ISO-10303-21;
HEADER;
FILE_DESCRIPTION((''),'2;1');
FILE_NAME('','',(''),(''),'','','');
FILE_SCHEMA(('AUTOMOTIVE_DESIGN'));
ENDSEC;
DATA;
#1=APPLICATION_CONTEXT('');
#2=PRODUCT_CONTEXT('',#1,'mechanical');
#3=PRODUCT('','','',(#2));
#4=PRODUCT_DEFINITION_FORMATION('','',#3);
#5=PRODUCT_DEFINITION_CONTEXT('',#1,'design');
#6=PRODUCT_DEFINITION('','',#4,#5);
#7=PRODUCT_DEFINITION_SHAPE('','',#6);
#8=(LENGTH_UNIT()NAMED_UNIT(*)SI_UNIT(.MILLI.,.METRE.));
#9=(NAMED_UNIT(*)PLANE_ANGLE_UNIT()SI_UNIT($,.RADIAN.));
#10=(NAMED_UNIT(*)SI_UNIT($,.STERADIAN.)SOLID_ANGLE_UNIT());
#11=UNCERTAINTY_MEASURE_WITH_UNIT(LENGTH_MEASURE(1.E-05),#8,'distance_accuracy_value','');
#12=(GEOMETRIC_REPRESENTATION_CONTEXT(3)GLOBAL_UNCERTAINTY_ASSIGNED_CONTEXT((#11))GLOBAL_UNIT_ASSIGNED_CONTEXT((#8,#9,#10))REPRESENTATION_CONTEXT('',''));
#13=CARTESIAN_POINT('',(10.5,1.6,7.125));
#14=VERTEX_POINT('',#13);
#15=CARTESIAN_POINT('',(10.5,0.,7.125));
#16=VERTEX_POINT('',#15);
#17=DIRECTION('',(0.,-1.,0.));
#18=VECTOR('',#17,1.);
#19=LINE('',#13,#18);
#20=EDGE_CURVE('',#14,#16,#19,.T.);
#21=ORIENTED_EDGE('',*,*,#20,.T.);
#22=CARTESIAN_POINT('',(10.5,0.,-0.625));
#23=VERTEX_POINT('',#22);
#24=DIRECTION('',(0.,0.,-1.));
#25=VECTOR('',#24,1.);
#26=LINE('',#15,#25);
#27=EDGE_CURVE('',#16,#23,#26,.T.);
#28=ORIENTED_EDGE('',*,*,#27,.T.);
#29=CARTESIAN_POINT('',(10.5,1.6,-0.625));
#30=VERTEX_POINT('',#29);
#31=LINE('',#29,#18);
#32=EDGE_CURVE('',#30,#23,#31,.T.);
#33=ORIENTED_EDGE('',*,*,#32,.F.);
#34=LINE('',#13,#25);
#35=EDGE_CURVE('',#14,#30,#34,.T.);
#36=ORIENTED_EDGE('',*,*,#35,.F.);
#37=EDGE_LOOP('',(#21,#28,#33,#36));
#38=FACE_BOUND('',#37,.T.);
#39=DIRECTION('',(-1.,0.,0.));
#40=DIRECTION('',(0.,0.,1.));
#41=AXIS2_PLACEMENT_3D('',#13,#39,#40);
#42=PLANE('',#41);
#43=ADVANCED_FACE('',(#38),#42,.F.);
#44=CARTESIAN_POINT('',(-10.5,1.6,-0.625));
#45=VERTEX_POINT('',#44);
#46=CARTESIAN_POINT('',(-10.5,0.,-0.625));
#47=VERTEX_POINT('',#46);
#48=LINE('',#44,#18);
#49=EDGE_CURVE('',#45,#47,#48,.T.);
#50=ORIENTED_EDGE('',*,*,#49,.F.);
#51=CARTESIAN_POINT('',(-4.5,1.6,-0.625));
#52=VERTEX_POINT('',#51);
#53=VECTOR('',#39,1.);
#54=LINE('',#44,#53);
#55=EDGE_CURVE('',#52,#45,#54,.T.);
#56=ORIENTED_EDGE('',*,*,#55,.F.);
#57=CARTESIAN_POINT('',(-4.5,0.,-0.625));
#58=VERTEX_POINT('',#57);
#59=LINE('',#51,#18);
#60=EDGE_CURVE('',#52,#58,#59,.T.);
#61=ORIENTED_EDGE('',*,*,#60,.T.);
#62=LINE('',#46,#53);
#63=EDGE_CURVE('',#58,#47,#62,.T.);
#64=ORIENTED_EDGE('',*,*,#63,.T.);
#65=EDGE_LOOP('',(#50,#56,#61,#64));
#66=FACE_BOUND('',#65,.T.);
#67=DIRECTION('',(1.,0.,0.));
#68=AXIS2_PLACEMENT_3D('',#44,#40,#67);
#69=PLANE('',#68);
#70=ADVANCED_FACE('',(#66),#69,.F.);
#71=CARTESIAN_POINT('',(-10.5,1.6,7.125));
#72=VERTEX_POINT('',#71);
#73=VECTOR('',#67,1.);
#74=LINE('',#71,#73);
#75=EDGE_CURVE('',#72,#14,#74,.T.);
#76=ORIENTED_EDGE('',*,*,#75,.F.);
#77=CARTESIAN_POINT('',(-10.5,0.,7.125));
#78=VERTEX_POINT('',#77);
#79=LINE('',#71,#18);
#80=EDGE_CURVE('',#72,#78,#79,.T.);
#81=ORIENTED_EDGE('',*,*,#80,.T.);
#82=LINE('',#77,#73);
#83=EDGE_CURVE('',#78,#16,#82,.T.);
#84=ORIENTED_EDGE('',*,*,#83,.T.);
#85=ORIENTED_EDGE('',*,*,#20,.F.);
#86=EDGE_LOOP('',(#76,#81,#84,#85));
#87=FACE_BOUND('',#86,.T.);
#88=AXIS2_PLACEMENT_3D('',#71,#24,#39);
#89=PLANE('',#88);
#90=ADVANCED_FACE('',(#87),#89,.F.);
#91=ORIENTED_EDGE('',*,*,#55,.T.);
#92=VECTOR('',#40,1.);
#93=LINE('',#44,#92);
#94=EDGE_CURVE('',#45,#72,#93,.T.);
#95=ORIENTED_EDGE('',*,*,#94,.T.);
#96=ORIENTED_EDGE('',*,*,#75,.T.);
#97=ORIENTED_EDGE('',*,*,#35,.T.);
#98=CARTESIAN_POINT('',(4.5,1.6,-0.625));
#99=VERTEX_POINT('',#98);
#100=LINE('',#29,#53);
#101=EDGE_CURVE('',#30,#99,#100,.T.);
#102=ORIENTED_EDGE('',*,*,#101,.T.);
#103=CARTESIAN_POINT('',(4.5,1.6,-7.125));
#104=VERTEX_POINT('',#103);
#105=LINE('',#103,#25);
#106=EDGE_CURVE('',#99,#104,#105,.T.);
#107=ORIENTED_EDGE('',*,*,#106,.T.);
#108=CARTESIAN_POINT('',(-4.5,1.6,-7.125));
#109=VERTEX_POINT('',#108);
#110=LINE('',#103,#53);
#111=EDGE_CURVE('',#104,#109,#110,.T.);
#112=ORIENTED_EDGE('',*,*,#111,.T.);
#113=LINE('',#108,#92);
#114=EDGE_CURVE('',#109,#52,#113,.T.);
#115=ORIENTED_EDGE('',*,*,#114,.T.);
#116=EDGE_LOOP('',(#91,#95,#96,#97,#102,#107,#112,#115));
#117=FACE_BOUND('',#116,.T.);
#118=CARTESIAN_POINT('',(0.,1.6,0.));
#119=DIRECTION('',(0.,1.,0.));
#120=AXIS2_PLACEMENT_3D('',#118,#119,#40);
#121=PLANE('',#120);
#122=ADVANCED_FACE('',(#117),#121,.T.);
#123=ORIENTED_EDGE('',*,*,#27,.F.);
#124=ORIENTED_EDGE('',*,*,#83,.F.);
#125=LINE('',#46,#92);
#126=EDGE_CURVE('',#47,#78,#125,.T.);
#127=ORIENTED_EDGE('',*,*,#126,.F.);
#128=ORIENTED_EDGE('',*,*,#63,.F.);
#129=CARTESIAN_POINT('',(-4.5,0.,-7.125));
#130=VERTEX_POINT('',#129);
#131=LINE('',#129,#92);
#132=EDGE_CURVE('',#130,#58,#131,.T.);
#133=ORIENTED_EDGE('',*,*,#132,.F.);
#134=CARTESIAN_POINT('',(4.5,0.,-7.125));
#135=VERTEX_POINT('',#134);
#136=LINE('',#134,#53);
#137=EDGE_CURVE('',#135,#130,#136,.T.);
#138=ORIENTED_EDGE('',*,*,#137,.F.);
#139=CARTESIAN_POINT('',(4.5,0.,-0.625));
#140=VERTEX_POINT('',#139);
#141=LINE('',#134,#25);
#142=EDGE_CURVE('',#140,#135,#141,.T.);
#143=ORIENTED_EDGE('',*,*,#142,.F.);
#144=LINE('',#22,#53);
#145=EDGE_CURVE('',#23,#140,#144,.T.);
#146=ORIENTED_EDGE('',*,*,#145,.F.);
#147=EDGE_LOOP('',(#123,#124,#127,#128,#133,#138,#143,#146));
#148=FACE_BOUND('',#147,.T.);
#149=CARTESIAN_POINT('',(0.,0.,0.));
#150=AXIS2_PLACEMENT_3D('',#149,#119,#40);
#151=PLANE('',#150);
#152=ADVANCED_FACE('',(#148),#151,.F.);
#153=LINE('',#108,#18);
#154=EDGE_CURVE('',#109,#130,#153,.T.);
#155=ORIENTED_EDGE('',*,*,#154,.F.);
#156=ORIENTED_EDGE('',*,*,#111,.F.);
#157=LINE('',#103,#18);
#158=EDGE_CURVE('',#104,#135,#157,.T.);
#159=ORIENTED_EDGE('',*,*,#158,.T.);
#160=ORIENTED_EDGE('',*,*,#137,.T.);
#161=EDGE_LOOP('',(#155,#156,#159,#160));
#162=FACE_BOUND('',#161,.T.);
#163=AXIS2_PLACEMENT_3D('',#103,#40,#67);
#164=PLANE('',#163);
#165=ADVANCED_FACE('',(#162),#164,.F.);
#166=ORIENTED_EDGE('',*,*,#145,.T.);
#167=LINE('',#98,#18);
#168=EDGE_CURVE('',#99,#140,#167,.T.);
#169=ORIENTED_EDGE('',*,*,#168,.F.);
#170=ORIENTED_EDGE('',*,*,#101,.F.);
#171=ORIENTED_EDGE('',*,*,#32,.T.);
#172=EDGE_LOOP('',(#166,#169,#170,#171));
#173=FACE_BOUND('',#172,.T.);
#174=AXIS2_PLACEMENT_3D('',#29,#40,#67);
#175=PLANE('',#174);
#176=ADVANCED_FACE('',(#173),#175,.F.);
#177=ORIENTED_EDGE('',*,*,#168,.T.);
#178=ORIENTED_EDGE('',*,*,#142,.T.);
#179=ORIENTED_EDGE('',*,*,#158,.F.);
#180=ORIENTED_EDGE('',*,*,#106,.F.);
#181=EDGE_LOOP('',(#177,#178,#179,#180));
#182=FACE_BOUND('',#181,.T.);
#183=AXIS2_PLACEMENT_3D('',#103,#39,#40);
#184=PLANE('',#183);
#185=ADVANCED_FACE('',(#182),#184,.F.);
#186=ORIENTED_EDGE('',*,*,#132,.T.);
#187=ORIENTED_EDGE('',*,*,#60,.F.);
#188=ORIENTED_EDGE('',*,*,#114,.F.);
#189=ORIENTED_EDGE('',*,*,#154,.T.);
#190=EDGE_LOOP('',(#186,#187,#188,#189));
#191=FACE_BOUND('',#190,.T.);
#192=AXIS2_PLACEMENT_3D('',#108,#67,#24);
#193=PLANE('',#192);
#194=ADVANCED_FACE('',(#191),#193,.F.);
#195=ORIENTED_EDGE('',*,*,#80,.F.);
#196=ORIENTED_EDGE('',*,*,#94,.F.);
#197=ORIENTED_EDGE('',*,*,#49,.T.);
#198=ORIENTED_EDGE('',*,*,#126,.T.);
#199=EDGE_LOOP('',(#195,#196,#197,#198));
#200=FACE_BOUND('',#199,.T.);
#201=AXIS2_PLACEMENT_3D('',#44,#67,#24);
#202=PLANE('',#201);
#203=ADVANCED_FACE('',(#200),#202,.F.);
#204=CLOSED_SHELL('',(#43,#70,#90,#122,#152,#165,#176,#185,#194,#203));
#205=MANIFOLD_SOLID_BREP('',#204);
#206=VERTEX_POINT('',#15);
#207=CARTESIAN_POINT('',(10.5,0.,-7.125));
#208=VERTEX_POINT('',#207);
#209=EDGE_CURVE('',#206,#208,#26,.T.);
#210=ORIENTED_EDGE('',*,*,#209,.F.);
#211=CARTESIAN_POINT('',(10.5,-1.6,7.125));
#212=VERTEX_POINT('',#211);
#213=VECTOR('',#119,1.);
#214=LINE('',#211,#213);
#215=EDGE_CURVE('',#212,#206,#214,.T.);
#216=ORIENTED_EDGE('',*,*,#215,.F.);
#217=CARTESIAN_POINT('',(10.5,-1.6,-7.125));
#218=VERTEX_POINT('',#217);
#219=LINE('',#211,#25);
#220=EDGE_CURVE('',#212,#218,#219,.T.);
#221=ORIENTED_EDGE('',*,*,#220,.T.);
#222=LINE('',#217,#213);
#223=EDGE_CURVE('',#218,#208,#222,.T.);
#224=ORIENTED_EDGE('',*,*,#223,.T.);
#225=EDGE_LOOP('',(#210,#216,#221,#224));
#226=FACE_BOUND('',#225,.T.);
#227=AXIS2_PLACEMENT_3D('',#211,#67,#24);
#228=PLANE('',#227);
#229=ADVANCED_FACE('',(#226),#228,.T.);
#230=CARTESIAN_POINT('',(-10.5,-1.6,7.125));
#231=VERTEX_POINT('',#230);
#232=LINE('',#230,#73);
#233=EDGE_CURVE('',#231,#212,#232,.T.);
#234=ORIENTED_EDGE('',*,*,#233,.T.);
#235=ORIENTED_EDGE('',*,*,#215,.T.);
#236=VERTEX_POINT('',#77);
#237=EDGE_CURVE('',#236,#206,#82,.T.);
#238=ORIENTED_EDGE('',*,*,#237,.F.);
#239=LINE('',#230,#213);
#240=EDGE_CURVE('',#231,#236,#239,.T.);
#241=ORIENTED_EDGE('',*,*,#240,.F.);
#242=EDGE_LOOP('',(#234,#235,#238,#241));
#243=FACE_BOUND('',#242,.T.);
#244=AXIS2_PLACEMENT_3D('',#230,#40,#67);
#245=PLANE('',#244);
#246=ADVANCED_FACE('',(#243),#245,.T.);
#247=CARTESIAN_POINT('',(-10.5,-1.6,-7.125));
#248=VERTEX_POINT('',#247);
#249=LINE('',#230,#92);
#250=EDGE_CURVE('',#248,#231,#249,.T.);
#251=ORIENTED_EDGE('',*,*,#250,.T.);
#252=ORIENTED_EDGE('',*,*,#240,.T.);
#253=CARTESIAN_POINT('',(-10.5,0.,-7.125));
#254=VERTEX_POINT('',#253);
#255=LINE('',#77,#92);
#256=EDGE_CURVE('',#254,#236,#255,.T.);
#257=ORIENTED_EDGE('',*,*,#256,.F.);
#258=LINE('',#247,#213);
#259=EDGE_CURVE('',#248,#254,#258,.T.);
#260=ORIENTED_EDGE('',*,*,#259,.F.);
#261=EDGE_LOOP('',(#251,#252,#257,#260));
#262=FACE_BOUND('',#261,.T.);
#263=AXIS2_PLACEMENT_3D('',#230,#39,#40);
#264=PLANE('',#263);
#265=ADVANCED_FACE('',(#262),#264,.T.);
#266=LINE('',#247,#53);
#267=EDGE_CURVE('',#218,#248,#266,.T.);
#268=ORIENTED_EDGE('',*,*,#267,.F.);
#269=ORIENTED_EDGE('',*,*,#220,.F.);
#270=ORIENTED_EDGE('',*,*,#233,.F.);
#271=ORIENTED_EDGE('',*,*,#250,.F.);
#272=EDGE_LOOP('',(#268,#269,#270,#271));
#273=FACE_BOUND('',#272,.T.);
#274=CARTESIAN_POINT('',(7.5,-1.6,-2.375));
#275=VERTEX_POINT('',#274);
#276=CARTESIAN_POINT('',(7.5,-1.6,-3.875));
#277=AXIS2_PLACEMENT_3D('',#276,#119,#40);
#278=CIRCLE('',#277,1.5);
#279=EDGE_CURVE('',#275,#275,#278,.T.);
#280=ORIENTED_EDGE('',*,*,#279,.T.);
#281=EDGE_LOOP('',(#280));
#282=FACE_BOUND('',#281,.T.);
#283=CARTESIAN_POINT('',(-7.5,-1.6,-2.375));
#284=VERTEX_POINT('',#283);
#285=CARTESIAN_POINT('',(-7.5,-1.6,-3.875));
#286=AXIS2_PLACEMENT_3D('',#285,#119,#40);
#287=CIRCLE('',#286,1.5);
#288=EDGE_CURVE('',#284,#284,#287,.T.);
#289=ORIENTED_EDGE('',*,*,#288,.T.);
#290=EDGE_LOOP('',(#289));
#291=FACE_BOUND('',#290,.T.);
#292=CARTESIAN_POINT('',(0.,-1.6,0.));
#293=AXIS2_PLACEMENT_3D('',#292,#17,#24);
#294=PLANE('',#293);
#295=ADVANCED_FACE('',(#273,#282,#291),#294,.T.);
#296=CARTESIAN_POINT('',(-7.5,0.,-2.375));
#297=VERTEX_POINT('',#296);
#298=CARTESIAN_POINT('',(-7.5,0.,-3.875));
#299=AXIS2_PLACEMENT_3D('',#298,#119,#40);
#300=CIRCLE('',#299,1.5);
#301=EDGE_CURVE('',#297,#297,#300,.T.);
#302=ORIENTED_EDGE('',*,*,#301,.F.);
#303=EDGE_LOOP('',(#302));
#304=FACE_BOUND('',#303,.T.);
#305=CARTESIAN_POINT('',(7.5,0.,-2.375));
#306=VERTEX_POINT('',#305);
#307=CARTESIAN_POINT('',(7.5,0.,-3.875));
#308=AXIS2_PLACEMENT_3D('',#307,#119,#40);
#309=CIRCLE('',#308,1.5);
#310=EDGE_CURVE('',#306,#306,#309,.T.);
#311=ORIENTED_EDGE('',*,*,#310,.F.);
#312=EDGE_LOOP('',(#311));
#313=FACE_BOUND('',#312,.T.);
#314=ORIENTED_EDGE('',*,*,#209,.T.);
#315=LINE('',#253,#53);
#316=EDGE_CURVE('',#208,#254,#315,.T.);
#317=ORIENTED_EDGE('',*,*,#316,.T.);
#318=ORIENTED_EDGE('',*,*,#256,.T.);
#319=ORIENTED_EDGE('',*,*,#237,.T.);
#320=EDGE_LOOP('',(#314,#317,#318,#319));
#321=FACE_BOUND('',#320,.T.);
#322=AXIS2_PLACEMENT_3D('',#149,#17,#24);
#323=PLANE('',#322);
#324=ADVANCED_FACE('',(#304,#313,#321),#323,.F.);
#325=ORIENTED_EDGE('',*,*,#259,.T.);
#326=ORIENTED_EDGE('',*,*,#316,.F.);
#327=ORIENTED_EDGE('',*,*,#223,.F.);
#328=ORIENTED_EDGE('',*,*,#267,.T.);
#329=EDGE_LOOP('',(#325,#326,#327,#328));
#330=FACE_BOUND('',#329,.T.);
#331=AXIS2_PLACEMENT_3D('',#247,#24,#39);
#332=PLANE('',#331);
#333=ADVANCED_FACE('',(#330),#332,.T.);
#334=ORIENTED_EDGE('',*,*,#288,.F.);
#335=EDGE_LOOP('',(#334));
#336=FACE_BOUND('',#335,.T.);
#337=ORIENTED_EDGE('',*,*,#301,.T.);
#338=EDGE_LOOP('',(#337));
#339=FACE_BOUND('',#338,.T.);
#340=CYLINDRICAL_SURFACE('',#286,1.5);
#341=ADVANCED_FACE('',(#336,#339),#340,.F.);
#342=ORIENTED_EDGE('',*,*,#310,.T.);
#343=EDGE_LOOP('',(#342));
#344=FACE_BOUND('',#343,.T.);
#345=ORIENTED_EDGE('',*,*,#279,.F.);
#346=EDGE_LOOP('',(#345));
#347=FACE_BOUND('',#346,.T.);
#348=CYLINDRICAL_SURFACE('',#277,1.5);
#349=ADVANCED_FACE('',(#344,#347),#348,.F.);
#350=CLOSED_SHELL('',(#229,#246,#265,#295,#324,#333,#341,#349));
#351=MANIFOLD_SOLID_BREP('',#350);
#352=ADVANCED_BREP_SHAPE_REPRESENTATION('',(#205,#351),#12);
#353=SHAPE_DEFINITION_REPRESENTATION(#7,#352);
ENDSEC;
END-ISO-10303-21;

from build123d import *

# Parameters (mm, degrees)
SKETCH1_W           = 21
SKETCH1_H           = 14.25
SKETCH1_R           = 1.5
BOSS_EXTRUDE1_DEPTH = 1.6
BOSS_EXTRUDE2_DEPTH = 1.6


with BuildPart() as part:
    # Sketch1 → Boss-Extrude1 (new body)
    with BuildSketch(Plane(origin=(0, 0, 0), x_dir=(1, 0, 0), z_dir=(0, 1, 0))):
        Rectangle(SKETCH1_W, SKETCH1_H)
        with Locations(Location((-7.5, 3.875, 0), (0, 0, 270))):
            Circle(SKETCH1_R, mode=Mode.SUBTRACT)
        with Locations(Location((7.5, 3.875, 0), (0, 0, 270))):
            Circle(SKETCH1_R, mode=Mode.SUBTRACT)
    extrude(amount=-BOSS_EXTRUDE1_DEPTH)


with BuildPart() as body_2:
    # Sketch2 → Boss-Extrude2 (new body)
    with BuildSketch(Plane(origin=(0, 0, 0), x_dir=(1, 0, 0), z_dir=(0, 1, 0))):
        Polygon((-10.5, 0.625), (-4.5, 0.625), (-4.5, 7.125), (4.5, 7.125), (4.5, 0.625), (10.5, 0.625), (10.5, -7.125), (-10.5, -7.125), align=None)
    extrude(amount=BOSS_EXTRUDE2_DEPTH)


solid = Compound([part.part, body_2.part])
